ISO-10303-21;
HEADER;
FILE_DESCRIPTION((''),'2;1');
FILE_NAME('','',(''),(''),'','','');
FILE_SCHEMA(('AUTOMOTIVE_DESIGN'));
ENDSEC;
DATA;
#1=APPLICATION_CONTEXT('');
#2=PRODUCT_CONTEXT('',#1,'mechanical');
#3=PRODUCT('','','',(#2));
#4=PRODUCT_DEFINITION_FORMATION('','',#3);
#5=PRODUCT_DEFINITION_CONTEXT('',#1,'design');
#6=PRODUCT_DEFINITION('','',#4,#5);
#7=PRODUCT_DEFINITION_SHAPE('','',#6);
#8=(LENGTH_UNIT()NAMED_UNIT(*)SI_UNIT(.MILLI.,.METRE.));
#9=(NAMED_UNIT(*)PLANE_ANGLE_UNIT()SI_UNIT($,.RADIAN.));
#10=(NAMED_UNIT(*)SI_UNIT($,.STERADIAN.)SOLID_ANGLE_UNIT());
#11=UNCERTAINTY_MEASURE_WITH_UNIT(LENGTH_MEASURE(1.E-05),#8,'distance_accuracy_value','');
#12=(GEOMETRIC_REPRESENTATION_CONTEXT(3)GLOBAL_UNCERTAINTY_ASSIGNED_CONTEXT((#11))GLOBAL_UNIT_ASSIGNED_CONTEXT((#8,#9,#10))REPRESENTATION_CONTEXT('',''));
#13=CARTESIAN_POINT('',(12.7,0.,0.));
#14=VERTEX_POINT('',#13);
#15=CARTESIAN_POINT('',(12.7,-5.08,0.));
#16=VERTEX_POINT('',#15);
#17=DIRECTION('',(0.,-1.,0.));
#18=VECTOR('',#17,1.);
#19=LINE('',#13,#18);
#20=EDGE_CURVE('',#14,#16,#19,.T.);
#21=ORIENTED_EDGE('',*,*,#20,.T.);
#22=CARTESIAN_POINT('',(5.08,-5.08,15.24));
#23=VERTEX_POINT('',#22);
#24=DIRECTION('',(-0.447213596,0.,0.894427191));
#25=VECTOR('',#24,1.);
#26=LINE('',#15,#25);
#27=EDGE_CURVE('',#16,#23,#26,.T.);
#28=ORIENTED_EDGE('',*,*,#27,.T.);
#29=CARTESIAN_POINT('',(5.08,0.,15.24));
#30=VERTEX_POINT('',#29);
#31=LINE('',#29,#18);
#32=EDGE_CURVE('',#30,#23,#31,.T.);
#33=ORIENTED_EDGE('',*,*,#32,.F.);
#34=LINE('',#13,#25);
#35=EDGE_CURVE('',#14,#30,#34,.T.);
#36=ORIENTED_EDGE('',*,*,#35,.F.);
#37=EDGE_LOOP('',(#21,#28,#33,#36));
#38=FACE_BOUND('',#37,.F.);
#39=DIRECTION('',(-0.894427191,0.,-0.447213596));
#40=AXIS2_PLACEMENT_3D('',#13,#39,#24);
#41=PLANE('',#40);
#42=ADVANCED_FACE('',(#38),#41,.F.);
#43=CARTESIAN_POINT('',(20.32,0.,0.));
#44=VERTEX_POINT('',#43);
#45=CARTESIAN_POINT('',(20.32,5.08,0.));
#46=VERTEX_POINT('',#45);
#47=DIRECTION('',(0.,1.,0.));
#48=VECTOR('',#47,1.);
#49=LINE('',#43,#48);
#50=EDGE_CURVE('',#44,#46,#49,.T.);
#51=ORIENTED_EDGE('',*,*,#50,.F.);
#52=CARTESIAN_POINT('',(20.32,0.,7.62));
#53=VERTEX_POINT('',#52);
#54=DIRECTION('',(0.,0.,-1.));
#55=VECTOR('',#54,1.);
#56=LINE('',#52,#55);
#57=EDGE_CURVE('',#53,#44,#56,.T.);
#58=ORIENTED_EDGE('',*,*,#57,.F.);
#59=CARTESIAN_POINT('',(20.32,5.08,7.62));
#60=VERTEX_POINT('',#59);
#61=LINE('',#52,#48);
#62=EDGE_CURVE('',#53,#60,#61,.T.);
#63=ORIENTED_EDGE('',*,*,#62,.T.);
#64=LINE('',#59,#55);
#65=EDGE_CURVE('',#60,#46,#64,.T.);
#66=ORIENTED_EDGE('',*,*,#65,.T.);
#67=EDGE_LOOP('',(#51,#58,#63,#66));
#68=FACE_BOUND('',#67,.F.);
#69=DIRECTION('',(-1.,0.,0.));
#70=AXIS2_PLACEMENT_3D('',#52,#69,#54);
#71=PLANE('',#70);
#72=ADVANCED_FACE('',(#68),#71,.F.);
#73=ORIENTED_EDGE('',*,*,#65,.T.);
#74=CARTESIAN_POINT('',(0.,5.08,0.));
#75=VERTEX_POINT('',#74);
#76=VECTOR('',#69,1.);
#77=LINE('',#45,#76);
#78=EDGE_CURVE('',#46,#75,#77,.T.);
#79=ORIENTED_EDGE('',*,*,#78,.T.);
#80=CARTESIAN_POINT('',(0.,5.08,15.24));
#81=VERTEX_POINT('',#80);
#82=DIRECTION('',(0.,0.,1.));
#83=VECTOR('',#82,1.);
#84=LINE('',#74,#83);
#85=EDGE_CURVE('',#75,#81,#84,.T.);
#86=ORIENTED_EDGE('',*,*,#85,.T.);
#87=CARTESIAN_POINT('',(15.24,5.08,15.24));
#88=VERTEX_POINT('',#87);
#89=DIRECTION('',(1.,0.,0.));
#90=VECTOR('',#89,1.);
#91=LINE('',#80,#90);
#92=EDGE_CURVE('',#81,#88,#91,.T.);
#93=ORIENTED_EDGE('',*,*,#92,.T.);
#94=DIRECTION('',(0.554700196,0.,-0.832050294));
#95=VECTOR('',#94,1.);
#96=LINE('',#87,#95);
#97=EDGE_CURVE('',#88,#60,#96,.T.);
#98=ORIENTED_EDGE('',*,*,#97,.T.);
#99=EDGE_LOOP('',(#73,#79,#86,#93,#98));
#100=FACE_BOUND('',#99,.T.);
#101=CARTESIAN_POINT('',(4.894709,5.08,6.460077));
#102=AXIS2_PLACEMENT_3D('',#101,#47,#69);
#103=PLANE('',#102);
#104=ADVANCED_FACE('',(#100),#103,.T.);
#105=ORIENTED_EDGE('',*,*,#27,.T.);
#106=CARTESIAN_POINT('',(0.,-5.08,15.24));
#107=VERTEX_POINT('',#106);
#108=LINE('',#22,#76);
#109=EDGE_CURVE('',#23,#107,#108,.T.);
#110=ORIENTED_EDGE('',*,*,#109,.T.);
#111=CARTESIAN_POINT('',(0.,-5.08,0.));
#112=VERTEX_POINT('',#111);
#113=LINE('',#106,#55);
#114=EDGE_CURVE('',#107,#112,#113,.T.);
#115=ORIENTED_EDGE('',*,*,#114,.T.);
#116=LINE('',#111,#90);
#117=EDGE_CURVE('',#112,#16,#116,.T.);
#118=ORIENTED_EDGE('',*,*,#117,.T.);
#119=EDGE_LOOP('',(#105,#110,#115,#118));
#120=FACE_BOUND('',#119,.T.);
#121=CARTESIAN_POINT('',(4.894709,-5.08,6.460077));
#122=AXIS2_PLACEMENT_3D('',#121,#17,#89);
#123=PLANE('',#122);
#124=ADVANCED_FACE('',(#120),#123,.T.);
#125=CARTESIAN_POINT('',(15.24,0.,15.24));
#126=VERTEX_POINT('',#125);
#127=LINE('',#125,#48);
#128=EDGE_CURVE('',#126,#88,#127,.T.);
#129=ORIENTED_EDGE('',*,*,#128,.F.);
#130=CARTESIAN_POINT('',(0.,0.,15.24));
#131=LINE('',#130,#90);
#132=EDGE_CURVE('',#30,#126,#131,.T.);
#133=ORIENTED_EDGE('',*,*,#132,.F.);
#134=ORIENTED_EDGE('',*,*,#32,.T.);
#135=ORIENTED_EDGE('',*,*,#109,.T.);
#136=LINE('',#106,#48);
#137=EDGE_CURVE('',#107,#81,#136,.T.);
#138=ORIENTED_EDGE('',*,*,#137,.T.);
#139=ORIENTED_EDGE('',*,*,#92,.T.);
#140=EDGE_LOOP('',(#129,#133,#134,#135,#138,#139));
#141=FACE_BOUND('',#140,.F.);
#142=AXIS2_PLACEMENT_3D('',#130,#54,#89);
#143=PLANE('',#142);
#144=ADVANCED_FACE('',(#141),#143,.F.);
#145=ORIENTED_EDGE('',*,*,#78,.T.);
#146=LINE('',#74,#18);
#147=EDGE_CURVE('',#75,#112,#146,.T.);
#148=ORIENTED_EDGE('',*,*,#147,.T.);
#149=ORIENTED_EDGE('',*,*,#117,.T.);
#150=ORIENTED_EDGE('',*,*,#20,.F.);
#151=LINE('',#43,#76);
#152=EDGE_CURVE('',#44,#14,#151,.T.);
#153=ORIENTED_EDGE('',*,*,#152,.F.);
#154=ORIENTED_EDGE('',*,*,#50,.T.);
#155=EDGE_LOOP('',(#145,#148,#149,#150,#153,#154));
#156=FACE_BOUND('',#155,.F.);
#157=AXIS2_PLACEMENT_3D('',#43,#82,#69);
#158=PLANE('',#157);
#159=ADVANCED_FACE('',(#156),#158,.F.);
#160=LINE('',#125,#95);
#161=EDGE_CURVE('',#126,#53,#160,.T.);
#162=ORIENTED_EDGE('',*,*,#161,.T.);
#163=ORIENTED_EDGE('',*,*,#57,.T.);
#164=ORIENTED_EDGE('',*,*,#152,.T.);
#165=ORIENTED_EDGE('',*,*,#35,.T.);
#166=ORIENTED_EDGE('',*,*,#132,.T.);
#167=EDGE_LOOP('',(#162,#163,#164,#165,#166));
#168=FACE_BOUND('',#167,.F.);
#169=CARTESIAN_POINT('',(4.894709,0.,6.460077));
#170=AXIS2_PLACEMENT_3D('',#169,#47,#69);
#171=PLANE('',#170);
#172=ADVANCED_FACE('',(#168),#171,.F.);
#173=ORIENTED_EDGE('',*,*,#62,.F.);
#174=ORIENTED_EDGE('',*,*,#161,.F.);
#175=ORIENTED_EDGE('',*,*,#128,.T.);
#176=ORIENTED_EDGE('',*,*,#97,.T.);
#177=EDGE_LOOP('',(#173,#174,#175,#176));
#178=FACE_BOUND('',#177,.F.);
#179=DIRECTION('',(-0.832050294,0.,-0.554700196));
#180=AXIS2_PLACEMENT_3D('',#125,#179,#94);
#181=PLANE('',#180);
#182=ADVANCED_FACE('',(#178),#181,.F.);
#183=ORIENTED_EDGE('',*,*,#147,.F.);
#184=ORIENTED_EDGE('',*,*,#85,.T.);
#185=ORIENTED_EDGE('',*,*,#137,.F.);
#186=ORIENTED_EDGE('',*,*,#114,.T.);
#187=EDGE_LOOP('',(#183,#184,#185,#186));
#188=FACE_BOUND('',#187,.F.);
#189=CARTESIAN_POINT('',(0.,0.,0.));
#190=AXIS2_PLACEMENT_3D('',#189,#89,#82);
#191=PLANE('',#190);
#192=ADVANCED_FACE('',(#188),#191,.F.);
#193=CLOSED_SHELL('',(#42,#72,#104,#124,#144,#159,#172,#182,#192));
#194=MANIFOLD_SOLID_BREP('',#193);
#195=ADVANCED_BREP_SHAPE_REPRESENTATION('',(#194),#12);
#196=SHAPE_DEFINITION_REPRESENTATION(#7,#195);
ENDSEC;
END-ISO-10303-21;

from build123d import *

# Parameters (mm, degrees)
F1_DEPTH = 5.08
F3_DEPTH = 5.08


with BuildPart() as f1:
    # F0 (on Front) → F1 (new body)
    with BuildSketch(Plane.XZ):
        Polygon((0, 15.24), (0, 0), (12.7, 0), (5.08, 15.24), align=None)
    extrude(amount=F1_DEPTH)

    # F2 (on face) → F3 (join)
    with BuildSketch(Plane(origin=(0, 0, 0), x_dir=(-1, 0, 0), z_dir=(0, 1, 0))):
        Polygon((-12.7, 0), (0, 0), (0, 15.24), (-5.08, 15.24), align=None)
        Polygon((-20.32, 0), (-12.7, 0), (-5.08, 15.24), (-15.24, 15.24), (-20.32, 7.62), align=None)
    extrude(amount=F3_DEPTH)


solid = f1.part
